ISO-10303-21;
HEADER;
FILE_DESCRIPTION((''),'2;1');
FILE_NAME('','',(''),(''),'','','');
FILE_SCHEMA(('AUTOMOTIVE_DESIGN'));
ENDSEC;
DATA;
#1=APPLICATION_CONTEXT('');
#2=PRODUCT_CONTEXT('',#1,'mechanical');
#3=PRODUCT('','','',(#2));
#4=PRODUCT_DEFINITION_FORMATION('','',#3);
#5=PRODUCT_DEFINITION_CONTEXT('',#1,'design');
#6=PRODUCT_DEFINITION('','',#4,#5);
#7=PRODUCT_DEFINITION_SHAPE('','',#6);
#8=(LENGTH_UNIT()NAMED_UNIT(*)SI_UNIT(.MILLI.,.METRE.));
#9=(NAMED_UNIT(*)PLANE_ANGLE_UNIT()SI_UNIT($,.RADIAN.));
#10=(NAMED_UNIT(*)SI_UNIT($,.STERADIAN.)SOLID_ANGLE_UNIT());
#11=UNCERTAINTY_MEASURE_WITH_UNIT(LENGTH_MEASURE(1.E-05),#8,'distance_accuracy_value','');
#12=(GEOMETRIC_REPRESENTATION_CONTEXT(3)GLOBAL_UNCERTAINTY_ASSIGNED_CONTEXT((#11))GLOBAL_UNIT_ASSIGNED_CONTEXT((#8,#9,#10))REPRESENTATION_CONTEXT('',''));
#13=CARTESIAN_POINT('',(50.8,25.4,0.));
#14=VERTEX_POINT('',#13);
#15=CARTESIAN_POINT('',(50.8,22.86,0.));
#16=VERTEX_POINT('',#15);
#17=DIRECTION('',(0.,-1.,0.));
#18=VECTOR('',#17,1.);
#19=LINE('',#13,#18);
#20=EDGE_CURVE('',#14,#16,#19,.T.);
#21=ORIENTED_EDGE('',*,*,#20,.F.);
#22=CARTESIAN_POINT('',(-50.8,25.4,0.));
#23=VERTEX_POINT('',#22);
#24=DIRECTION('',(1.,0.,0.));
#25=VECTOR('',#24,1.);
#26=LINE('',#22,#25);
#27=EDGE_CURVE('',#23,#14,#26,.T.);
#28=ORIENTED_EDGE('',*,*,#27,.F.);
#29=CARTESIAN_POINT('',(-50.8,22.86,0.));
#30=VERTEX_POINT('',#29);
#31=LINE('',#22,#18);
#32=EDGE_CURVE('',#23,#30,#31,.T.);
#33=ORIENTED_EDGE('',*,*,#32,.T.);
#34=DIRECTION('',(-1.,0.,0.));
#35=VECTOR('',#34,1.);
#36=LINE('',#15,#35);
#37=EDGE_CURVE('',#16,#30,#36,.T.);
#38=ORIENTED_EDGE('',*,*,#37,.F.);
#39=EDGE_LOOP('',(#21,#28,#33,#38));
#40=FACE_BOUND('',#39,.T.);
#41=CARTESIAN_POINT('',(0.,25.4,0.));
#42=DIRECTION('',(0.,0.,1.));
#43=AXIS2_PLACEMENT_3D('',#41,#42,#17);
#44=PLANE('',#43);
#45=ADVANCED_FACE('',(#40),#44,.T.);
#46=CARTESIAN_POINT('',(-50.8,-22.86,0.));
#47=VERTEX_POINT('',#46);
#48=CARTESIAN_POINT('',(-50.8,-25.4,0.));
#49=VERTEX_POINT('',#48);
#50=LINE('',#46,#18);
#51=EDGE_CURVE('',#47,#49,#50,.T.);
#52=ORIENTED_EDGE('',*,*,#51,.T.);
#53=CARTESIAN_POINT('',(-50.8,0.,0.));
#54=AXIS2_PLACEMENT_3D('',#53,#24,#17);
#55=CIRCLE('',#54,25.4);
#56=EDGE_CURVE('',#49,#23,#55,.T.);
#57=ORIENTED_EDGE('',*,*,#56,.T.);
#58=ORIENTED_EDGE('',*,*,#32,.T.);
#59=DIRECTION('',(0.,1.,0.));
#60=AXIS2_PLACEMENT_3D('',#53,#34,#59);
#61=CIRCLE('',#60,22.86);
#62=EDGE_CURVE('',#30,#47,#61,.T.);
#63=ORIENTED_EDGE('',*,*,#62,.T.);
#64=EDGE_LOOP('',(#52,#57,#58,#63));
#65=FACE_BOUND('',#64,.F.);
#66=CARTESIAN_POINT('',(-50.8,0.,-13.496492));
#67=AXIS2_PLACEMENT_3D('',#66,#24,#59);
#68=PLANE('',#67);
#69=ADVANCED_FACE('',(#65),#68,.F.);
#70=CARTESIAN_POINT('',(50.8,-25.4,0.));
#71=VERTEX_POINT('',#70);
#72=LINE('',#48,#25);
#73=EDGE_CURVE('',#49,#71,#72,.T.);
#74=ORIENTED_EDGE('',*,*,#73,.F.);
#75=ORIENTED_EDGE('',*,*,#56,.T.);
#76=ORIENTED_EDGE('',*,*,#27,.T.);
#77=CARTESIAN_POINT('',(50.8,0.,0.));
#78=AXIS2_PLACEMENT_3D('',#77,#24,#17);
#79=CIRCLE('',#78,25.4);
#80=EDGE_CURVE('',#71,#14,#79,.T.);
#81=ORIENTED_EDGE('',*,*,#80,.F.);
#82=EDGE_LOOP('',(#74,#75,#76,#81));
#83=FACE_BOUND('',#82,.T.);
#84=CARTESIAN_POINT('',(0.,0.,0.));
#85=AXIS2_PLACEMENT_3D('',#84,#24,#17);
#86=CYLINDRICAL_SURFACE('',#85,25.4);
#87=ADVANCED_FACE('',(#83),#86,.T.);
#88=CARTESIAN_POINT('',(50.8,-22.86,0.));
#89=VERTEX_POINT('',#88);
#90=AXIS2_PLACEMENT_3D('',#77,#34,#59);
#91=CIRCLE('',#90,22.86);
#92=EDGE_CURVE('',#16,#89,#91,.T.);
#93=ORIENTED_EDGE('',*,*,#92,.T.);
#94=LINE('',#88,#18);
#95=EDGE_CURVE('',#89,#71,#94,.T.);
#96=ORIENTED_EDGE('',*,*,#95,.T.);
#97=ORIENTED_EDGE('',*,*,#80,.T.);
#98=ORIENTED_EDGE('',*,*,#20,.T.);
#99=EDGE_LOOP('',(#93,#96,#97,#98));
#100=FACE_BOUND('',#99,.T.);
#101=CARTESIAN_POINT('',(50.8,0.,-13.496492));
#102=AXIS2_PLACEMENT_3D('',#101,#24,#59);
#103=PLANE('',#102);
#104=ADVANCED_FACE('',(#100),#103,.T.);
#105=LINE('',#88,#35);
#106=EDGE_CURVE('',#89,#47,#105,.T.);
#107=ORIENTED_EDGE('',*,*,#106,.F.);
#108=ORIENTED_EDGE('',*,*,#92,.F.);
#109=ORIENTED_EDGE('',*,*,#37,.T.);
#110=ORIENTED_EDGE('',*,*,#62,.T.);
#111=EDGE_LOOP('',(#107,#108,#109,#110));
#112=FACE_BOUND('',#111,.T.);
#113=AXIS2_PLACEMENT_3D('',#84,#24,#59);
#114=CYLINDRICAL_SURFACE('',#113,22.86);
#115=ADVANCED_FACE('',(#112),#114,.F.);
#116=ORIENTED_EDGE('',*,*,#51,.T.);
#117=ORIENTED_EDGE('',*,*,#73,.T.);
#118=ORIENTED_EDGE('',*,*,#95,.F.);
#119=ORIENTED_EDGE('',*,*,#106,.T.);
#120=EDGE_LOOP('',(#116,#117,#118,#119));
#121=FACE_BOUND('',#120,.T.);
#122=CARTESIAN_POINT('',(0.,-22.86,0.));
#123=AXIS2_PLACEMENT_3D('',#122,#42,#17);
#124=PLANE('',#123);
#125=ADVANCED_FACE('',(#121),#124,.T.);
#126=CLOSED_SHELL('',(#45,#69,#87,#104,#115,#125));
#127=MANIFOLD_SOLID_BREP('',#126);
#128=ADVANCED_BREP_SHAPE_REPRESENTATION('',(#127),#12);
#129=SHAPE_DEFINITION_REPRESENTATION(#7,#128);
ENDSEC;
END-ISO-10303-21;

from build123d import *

# Parameters (mm, degrees)
F1_DEPTH      = 50.8
F1_DEPTH_BACK = 50.8


with BuildPart() as f1:
    # F0 (on Right) → F1 (new body, two sides)
    with BuildSketch(Plane.YZ) as f1_sk:
        with BuildLine():
            Line((-22.86, 0), (-25.4, 0))
            ThreePointArc((-25.4, 0), (0, -25.4), (25.4, 0))
            Line((25.4, 0), (22.86, 0))
            ThreePointArc((22.86, 0), (0, -22.86), (-22.86, 0))
        make_face()
    extrude(amount=F1_DEPTH)
    extrude(f1_sk.sketch, amount=-F1_DEPTH_BACK)


solid = f1.part
